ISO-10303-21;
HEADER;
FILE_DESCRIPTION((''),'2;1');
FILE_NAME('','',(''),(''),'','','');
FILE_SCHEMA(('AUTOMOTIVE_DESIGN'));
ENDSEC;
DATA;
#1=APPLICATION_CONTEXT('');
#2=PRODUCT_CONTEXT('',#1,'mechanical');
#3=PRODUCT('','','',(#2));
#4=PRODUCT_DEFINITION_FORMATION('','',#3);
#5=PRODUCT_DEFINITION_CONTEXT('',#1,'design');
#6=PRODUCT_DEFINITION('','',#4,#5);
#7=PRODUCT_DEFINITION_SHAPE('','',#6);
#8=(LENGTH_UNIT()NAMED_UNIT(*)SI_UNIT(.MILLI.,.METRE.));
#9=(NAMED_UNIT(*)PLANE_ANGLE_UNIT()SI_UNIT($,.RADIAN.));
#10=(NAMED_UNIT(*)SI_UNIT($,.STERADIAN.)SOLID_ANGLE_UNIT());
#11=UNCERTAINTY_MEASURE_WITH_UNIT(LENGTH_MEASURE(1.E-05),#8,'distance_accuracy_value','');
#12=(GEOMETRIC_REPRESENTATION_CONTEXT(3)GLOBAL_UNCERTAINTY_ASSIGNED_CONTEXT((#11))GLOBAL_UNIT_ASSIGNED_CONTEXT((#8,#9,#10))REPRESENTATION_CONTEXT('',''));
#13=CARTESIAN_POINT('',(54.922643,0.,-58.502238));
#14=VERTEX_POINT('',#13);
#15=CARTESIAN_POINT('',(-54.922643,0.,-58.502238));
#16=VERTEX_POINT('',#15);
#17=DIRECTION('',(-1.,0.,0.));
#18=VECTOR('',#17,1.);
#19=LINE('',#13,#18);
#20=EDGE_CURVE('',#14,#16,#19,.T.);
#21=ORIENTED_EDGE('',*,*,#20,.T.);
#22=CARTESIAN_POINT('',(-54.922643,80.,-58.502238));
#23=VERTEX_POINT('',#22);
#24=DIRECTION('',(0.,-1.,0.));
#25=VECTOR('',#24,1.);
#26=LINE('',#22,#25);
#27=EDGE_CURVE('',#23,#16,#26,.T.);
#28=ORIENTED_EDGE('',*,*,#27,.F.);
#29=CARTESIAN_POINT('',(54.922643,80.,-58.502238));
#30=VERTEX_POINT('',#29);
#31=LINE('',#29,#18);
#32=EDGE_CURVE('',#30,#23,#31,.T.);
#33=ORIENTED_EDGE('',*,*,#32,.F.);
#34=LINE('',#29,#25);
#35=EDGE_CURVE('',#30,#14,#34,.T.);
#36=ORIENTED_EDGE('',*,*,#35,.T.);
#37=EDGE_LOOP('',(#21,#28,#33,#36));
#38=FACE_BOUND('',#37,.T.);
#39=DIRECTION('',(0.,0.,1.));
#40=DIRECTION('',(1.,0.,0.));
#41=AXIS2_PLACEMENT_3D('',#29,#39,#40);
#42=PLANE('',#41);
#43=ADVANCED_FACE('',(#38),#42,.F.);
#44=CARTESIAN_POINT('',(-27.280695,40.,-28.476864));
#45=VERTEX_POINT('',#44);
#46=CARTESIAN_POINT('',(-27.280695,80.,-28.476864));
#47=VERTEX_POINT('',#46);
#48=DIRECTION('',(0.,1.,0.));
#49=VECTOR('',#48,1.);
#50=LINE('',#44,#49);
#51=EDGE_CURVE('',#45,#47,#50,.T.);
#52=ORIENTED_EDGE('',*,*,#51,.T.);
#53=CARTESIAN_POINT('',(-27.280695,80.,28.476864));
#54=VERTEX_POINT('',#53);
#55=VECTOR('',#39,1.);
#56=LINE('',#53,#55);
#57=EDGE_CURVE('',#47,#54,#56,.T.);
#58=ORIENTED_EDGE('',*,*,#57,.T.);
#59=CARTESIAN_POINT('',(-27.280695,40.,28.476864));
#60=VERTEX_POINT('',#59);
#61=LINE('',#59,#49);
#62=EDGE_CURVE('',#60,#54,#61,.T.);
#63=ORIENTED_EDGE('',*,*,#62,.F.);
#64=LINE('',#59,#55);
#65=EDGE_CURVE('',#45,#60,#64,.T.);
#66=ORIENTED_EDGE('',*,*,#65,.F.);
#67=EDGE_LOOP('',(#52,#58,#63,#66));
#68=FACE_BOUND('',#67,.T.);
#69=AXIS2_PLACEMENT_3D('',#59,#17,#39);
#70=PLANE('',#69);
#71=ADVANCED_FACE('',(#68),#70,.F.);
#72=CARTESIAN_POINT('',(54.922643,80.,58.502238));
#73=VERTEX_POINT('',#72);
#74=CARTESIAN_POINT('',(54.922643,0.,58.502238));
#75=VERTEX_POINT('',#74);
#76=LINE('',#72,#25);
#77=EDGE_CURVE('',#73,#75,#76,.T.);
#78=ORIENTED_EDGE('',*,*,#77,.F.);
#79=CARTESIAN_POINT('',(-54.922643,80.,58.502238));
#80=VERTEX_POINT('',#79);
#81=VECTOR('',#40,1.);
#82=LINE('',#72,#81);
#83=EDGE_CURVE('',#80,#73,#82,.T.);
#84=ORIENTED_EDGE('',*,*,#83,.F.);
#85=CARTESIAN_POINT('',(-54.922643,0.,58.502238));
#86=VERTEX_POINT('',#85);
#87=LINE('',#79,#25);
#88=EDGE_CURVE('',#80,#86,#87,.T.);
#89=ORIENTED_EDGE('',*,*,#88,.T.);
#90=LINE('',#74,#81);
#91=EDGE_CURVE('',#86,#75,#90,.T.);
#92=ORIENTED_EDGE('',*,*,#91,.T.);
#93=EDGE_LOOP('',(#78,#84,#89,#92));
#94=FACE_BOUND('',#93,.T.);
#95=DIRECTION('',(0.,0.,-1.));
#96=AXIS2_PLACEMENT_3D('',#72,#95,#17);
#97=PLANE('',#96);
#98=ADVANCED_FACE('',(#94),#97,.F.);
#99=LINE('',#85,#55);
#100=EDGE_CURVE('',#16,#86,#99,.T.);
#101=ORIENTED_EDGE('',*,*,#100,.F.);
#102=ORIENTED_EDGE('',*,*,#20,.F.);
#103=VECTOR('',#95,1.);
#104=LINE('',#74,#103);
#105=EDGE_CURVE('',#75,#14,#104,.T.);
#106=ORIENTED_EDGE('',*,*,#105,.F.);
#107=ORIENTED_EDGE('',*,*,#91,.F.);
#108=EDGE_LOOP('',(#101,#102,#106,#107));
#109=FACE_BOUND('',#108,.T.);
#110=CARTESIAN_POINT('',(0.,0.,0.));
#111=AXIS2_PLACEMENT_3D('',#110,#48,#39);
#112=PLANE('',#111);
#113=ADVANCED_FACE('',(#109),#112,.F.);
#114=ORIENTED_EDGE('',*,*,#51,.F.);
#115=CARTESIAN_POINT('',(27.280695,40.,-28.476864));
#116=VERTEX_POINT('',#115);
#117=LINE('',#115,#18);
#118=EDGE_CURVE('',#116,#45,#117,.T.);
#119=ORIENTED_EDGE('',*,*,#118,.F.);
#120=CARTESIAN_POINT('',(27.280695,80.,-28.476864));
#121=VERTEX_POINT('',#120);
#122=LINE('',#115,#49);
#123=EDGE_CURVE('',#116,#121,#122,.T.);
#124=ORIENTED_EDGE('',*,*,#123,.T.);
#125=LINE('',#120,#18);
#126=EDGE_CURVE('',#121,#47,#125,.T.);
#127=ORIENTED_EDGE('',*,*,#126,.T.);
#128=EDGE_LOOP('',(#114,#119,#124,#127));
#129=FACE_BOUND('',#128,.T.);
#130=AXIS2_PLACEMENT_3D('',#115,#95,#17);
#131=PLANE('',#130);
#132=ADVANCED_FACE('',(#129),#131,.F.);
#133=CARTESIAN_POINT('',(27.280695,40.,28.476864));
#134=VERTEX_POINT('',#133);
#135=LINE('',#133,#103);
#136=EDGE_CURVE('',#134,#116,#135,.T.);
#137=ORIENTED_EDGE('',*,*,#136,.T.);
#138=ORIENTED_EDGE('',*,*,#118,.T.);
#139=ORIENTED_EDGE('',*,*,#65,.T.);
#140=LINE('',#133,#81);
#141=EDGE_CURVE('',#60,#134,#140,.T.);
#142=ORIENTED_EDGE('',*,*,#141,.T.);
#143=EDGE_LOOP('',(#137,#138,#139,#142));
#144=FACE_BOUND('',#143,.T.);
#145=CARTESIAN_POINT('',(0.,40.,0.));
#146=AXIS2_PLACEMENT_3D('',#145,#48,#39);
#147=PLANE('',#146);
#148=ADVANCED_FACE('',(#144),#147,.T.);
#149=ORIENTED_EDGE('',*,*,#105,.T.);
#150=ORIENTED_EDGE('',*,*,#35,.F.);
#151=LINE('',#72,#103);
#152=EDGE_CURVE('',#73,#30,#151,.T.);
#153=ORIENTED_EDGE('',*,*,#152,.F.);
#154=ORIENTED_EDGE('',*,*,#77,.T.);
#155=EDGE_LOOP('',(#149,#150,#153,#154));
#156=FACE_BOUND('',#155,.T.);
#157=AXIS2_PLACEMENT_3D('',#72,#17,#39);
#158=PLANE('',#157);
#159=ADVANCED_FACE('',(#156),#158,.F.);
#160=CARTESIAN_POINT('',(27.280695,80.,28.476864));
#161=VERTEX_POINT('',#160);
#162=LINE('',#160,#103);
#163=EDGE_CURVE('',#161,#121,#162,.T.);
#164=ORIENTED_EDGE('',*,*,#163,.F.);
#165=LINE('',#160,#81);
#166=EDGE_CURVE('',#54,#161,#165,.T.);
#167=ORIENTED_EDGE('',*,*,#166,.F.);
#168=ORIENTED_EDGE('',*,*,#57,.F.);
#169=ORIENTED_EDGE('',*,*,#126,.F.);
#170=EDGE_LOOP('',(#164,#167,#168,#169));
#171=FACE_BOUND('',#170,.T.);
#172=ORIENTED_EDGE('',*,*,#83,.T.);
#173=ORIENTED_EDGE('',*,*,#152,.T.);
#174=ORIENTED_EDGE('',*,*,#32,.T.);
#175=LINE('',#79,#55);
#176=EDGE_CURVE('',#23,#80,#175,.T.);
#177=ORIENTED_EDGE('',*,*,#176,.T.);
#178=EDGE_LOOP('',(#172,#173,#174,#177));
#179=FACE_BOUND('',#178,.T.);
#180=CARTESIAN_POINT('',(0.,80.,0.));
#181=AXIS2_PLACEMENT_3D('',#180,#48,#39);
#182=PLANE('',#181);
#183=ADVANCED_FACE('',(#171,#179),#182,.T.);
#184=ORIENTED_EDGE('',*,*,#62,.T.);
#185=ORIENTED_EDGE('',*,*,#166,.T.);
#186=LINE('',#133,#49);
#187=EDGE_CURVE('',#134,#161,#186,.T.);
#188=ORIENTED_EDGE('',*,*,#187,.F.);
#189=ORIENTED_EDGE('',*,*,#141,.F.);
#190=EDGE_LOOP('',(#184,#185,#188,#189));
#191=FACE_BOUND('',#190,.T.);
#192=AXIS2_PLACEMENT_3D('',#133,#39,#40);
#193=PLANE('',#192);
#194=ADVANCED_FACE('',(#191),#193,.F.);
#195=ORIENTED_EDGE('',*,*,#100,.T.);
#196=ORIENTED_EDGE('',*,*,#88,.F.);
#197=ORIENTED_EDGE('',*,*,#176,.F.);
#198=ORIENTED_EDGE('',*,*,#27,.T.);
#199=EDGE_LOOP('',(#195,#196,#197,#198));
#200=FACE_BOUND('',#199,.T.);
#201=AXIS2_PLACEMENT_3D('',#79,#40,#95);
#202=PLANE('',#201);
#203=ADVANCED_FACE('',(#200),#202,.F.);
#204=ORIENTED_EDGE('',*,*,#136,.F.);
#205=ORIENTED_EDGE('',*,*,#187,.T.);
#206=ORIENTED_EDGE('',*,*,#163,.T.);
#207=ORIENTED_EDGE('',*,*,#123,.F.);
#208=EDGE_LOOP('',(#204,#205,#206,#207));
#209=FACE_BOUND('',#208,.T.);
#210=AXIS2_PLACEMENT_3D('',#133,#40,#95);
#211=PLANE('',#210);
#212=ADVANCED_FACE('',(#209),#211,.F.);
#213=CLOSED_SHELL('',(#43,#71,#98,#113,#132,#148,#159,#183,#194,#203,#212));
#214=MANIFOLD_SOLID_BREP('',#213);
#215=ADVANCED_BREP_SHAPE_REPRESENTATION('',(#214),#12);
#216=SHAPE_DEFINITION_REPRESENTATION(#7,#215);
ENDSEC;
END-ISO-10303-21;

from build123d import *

# Parameters (mm, degrees)
SKETCH1_W           = 109.845286248
SKETCH1_H           = 117.004476482
BOSS_EXTRUDE1_DEPTH = 80
SKETCH2_W           = 54.561390782
SKETCH2_H           = 56.953727806
CUT_EXTRUDE1_DEPTH  = 40


with BuildPart() as part:
    # Sketch1 → Boss-Extrude1 (new body)
    with BuildSketch(Plane(origin=(0, 0, 0), x_dir=(1, 0, 0), z_dir=(0, 1, 0))):
        Rectangle(SKETCH1_W, SKETCH1_H)
    extrude(amount=BOSS_EXTRUDE1_DEPTH)

    # Sketch2 → Cut-Extrude1 (cut)
    with BuildSketch(Plane(origin=(0, 80, 0), x_dir=(1, 0, 0), z_dir=(0, 1, 0))):
        Rectangle(SKETCH2_W, SKETCH2_H)
    extrude(amount=-CUT_EXTRUDE1_DEPTH, mode=Mode.SUBTRACT)


solid = part.part
